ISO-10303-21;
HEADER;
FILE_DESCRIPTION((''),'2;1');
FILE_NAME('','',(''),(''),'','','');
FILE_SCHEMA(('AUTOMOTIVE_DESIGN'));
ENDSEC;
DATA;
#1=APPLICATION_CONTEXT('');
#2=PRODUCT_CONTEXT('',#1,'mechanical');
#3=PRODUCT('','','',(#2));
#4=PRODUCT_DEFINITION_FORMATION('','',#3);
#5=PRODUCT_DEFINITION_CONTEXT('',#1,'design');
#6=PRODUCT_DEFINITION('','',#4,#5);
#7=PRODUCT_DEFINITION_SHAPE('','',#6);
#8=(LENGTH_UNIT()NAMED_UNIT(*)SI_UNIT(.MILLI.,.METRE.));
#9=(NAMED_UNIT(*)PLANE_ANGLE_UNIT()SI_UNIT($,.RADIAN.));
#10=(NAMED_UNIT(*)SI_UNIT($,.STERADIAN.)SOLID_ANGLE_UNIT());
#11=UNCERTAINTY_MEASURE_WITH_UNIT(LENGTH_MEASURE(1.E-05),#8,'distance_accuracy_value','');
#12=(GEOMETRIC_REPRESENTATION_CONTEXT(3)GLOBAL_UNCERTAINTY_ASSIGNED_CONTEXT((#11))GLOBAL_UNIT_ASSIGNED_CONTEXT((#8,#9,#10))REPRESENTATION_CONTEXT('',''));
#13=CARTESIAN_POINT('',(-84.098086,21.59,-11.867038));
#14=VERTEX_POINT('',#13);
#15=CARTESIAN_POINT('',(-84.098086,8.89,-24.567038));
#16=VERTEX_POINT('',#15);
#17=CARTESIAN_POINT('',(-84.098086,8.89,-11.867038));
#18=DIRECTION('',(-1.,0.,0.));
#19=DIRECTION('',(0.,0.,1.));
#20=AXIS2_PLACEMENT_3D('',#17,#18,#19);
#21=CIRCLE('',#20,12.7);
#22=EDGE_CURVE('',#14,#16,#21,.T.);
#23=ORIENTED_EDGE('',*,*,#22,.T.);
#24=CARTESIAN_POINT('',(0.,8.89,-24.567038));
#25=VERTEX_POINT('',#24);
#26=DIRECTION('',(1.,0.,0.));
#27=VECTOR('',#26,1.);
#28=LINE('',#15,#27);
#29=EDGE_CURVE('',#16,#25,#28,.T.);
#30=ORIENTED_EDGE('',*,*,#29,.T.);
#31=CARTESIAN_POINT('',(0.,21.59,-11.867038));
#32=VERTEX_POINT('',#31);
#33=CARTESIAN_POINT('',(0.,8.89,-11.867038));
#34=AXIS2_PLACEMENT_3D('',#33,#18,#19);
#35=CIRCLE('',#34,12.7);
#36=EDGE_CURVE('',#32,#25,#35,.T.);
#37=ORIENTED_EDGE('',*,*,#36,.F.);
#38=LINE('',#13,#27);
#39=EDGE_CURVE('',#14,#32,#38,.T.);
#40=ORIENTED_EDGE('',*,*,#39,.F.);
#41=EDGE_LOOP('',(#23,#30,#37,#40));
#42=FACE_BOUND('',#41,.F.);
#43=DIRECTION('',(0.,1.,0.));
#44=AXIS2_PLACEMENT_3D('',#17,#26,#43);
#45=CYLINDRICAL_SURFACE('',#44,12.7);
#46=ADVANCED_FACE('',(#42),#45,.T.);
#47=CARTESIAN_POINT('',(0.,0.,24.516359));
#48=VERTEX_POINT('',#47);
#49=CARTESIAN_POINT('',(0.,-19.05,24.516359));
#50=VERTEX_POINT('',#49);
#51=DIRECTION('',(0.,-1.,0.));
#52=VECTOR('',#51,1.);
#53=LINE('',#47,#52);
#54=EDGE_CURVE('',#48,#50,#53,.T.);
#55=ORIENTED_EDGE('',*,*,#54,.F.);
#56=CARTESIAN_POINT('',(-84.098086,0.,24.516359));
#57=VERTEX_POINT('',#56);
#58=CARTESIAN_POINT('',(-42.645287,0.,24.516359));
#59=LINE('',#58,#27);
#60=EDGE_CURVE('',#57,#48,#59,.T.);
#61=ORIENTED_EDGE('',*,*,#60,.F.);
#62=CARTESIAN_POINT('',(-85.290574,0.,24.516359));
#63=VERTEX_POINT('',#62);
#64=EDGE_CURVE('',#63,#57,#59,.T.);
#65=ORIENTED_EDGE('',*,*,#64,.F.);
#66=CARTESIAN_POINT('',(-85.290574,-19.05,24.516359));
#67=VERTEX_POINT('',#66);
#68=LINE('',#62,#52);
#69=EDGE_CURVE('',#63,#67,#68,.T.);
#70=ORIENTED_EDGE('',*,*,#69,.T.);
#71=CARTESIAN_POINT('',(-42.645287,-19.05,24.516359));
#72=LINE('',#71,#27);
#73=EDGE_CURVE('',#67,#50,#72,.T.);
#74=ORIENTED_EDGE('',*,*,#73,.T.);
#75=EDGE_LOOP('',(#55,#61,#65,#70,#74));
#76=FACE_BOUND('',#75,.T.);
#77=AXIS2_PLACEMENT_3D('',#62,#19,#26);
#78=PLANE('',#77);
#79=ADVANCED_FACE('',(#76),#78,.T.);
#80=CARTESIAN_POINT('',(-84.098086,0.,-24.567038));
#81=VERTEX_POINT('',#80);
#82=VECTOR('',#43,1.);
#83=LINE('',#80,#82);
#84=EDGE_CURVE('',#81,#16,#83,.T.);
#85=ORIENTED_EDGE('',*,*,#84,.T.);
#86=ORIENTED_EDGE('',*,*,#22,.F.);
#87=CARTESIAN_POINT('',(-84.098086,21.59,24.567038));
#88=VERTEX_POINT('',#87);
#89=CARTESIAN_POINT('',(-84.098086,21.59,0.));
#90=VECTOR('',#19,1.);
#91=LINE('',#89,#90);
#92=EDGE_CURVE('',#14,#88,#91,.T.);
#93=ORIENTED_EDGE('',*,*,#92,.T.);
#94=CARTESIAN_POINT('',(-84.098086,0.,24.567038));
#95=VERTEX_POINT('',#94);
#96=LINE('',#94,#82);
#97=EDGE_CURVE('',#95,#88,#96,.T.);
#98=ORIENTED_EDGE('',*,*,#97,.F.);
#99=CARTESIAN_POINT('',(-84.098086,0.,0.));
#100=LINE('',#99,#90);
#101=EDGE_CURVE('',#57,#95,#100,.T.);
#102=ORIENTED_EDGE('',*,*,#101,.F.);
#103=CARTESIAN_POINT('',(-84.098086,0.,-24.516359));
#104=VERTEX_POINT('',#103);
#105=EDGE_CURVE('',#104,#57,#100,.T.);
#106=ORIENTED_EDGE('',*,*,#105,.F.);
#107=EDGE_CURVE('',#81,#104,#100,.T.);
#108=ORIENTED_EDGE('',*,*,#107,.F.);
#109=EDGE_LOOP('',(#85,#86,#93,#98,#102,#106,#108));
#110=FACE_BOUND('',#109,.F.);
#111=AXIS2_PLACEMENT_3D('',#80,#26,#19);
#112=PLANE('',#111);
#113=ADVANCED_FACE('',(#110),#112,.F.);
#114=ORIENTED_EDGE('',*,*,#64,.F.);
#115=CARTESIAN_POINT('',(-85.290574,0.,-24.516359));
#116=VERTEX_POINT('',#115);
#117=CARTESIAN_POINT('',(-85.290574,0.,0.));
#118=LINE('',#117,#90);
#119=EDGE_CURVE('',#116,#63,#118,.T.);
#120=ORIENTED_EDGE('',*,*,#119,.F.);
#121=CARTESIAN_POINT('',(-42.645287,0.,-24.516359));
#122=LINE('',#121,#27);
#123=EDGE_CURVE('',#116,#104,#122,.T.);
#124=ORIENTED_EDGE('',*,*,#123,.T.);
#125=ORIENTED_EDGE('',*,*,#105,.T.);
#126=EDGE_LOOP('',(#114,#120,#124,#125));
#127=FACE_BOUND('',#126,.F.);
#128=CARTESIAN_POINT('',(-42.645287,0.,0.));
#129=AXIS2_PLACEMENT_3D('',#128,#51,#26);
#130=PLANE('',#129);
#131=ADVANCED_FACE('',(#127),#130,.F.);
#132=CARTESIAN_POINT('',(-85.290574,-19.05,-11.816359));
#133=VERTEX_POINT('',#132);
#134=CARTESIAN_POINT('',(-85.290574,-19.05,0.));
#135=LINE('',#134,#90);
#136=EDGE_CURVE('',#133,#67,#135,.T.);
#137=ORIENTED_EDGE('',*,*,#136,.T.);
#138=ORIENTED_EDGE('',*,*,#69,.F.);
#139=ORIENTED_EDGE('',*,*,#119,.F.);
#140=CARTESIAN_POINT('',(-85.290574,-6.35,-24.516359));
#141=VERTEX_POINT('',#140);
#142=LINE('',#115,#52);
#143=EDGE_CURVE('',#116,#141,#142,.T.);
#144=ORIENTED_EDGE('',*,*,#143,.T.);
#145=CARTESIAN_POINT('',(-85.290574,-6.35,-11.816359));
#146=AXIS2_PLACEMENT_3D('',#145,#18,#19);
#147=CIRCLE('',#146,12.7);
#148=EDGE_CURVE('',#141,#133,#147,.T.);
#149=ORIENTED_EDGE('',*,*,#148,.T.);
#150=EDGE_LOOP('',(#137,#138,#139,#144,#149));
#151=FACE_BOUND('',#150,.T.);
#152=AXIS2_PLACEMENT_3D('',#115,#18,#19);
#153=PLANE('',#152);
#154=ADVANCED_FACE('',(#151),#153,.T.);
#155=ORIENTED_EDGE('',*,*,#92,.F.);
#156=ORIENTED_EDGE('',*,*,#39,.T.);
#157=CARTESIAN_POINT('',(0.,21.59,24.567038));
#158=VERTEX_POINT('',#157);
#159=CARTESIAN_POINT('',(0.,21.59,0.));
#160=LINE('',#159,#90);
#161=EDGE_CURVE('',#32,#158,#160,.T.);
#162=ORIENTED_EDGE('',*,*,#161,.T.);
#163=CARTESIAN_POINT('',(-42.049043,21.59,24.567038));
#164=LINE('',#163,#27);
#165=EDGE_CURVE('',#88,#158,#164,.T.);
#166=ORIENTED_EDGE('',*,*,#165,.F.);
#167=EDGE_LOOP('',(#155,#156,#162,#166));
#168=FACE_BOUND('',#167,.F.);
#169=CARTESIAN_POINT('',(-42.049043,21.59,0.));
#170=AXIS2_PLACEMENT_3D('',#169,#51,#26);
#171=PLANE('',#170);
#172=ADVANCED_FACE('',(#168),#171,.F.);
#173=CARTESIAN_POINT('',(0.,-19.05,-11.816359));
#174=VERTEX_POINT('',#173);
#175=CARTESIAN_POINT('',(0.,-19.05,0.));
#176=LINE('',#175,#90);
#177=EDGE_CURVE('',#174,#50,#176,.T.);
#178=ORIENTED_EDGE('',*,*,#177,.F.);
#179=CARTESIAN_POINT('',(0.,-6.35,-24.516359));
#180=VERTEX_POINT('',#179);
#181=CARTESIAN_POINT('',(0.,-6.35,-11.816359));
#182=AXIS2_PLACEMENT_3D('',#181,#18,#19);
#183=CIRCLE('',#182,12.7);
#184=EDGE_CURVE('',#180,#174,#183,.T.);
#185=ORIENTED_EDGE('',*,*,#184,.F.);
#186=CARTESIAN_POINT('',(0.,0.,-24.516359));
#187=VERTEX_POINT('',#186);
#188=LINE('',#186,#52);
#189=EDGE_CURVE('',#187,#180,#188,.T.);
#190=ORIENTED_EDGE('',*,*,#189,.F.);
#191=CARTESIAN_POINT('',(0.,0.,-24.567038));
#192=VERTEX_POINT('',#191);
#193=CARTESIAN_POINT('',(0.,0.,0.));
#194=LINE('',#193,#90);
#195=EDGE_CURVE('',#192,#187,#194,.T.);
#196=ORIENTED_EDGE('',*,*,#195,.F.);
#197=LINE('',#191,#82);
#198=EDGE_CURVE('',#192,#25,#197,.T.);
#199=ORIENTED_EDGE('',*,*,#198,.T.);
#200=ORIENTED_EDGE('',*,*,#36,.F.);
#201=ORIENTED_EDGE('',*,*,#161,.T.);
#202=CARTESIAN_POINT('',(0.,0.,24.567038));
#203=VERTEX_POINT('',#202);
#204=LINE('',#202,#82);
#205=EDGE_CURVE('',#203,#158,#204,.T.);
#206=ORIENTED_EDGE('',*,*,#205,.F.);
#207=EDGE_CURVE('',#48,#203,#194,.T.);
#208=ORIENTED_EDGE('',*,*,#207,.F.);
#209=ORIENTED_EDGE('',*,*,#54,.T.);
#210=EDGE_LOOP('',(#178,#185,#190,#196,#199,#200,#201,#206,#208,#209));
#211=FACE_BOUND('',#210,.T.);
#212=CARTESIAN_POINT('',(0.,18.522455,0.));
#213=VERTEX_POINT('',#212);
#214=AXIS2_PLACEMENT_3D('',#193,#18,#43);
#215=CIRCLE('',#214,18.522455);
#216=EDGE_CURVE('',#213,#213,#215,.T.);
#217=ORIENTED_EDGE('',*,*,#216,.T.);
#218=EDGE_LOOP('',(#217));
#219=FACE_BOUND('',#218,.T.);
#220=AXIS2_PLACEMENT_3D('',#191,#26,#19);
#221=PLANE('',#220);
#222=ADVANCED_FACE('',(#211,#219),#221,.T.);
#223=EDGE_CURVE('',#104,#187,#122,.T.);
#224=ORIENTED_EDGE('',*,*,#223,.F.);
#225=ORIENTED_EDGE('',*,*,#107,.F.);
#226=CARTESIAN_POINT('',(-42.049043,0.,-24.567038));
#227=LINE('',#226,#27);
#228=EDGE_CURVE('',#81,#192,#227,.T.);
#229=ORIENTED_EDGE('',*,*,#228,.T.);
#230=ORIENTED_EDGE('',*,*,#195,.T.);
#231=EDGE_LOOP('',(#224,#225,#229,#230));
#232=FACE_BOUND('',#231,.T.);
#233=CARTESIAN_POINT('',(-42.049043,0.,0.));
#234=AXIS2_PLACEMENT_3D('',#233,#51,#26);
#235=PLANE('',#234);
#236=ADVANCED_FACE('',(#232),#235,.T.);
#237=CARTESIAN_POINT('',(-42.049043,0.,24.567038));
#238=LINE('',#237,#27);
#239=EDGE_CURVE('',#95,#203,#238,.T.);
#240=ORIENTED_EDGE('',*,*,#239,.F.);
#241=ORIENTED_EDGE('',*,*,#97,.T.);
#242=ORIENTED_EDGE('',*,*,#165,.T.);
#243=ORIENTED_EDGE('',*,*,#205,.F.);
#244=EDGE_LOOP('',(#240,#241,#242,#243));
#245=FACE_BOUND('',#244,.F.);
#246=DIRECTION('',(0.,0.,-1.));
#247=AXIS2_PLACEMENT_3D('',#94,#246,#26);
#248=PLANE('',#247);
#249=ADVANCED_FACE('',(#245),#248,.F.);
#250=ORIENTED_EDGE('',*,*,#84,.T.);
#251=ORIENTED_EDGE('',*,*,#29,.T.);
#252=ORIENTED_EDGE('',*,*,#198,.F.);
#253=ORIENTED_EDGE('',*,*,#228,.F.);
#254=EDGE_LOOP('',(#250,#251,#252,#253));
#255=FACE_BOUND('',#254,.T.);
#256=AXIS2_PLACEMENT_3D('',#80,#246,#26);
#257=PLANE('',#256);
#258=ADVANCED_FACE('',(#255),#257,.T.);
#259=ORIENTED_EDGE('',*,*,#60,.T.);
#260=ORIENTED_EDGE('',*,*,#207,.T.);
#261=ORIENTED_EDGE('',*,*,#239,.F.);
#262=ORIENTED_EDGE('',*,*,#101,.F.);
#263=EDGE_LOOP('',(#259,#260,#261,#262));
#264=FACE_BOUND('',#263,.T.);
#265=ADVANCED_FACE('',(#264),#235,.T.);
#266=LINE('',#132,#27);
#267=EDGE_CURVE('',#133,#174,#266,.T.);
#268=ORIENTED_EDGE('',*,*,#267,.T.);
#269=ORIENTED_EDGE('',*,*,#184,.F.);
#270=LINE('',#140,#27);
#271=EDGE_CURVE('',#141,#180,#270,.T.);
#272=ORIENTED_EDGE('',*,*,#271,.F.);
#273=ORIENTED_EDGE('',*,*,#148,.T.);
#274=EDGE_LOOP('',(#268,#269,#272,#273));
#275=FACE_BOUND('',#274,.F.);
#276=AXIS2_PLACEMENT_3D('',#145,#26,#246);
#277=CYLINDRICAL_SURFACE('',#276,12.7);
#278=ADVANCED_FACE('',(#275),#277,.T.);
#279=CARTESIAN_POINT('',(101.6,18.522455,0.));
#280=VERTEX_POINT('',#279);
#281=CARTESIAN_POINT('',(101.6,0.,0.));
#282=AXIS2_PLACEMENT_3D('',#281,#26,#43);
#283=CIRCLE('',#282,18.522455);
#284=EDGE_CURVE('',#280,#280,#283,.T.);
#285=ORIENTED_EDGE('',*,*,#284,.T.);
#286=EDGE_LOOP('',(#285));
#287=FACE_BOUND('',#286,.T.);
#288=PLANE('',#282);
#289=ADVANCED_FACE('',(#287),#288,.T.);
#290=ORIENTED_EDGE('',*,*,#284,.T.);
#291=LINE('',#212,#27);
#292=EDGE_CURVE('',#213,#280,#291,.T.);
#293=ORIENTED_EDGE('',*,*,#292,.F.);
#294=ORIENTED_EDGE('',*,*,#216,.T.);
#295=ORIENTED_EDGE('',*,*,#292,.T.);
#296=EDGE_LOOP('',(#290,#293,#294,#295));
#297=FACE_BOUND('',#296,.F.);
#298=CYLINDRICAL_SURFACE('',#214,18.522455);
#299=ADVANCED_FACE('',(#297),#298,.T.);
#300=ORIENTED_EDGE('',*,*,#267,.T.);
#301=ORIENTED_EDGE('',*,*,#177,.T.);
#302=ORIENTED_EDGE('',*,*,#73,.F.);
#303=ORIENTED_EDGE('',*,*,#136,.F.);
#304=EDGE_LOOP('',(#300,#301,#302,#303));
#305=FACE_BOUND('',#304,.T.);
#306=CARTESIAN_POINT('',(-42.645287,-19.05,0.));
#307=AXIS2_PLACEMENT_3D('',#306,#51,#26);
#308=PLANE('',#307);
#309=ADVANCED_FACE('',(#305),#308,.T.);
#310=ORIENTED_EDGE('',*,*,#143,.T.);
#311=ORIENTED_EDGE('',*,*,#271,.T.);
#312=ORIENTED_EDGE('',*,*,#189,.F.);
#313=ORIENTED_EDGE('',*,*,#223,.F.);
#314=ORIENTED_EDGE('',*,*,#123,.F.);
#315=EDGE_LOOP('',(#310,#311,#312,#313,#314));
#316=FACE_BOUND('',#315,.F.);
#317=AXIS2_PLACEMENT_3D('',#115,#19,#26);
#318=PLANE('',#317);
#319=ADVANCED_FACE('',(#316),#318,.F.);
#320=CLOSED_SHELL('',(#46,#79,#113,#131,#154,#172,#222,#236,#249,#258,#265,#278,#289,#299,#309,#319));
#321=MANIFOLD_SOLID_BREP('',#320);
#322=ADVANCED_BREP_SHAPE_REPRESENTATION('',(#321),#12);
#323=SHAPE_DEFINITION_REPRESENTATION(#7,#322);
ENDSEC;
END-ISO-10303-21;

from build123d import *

# Parameters (mm, degrees)
F0_R     = 18.522455
F1_DEPTH = 101.6
F3_W     = 85.290574
F3_H     = 49.032718
F4_DEPTH = 19.05
F2_W     = 84.098086
F2_H     = 49.134076
F5_DEPTH = 21.59
F6_R     = 12.7


with BuildPart() as f1:
    # F0 (on Right) → F1 (new body)
    with BuildSketch(Plane.YZ):
        Circle(F0_R)
    extrude(amount=F1_DEPTH)

    # F3 (on Front) → F4 (join)
    with BuildSketch(Plane.XZ):
        with Locations((-42.645287, 0)):
            Rectangle(F3_W, F3_H)
    extrude(amount=F4_DEPTH)

    # F2 (on Front) → F5 (join)
    with BuildSketch(Plane.XZ):
        with Locations((-42.049043, 0)):
            Rectangle(F2_W, F2_H)
    extrude(amount=-F5_DEPTH)

    # F6
    f6_edges = [f1.edges().sort_by_distance(p)[0] for p in [
        (-42.049043, 21.59, -24.567038),
        (-42.645287, -19.05, -24.516359),
    ]]
    fillet(f6_edges, radius=F6_R)


solid = f1.part
